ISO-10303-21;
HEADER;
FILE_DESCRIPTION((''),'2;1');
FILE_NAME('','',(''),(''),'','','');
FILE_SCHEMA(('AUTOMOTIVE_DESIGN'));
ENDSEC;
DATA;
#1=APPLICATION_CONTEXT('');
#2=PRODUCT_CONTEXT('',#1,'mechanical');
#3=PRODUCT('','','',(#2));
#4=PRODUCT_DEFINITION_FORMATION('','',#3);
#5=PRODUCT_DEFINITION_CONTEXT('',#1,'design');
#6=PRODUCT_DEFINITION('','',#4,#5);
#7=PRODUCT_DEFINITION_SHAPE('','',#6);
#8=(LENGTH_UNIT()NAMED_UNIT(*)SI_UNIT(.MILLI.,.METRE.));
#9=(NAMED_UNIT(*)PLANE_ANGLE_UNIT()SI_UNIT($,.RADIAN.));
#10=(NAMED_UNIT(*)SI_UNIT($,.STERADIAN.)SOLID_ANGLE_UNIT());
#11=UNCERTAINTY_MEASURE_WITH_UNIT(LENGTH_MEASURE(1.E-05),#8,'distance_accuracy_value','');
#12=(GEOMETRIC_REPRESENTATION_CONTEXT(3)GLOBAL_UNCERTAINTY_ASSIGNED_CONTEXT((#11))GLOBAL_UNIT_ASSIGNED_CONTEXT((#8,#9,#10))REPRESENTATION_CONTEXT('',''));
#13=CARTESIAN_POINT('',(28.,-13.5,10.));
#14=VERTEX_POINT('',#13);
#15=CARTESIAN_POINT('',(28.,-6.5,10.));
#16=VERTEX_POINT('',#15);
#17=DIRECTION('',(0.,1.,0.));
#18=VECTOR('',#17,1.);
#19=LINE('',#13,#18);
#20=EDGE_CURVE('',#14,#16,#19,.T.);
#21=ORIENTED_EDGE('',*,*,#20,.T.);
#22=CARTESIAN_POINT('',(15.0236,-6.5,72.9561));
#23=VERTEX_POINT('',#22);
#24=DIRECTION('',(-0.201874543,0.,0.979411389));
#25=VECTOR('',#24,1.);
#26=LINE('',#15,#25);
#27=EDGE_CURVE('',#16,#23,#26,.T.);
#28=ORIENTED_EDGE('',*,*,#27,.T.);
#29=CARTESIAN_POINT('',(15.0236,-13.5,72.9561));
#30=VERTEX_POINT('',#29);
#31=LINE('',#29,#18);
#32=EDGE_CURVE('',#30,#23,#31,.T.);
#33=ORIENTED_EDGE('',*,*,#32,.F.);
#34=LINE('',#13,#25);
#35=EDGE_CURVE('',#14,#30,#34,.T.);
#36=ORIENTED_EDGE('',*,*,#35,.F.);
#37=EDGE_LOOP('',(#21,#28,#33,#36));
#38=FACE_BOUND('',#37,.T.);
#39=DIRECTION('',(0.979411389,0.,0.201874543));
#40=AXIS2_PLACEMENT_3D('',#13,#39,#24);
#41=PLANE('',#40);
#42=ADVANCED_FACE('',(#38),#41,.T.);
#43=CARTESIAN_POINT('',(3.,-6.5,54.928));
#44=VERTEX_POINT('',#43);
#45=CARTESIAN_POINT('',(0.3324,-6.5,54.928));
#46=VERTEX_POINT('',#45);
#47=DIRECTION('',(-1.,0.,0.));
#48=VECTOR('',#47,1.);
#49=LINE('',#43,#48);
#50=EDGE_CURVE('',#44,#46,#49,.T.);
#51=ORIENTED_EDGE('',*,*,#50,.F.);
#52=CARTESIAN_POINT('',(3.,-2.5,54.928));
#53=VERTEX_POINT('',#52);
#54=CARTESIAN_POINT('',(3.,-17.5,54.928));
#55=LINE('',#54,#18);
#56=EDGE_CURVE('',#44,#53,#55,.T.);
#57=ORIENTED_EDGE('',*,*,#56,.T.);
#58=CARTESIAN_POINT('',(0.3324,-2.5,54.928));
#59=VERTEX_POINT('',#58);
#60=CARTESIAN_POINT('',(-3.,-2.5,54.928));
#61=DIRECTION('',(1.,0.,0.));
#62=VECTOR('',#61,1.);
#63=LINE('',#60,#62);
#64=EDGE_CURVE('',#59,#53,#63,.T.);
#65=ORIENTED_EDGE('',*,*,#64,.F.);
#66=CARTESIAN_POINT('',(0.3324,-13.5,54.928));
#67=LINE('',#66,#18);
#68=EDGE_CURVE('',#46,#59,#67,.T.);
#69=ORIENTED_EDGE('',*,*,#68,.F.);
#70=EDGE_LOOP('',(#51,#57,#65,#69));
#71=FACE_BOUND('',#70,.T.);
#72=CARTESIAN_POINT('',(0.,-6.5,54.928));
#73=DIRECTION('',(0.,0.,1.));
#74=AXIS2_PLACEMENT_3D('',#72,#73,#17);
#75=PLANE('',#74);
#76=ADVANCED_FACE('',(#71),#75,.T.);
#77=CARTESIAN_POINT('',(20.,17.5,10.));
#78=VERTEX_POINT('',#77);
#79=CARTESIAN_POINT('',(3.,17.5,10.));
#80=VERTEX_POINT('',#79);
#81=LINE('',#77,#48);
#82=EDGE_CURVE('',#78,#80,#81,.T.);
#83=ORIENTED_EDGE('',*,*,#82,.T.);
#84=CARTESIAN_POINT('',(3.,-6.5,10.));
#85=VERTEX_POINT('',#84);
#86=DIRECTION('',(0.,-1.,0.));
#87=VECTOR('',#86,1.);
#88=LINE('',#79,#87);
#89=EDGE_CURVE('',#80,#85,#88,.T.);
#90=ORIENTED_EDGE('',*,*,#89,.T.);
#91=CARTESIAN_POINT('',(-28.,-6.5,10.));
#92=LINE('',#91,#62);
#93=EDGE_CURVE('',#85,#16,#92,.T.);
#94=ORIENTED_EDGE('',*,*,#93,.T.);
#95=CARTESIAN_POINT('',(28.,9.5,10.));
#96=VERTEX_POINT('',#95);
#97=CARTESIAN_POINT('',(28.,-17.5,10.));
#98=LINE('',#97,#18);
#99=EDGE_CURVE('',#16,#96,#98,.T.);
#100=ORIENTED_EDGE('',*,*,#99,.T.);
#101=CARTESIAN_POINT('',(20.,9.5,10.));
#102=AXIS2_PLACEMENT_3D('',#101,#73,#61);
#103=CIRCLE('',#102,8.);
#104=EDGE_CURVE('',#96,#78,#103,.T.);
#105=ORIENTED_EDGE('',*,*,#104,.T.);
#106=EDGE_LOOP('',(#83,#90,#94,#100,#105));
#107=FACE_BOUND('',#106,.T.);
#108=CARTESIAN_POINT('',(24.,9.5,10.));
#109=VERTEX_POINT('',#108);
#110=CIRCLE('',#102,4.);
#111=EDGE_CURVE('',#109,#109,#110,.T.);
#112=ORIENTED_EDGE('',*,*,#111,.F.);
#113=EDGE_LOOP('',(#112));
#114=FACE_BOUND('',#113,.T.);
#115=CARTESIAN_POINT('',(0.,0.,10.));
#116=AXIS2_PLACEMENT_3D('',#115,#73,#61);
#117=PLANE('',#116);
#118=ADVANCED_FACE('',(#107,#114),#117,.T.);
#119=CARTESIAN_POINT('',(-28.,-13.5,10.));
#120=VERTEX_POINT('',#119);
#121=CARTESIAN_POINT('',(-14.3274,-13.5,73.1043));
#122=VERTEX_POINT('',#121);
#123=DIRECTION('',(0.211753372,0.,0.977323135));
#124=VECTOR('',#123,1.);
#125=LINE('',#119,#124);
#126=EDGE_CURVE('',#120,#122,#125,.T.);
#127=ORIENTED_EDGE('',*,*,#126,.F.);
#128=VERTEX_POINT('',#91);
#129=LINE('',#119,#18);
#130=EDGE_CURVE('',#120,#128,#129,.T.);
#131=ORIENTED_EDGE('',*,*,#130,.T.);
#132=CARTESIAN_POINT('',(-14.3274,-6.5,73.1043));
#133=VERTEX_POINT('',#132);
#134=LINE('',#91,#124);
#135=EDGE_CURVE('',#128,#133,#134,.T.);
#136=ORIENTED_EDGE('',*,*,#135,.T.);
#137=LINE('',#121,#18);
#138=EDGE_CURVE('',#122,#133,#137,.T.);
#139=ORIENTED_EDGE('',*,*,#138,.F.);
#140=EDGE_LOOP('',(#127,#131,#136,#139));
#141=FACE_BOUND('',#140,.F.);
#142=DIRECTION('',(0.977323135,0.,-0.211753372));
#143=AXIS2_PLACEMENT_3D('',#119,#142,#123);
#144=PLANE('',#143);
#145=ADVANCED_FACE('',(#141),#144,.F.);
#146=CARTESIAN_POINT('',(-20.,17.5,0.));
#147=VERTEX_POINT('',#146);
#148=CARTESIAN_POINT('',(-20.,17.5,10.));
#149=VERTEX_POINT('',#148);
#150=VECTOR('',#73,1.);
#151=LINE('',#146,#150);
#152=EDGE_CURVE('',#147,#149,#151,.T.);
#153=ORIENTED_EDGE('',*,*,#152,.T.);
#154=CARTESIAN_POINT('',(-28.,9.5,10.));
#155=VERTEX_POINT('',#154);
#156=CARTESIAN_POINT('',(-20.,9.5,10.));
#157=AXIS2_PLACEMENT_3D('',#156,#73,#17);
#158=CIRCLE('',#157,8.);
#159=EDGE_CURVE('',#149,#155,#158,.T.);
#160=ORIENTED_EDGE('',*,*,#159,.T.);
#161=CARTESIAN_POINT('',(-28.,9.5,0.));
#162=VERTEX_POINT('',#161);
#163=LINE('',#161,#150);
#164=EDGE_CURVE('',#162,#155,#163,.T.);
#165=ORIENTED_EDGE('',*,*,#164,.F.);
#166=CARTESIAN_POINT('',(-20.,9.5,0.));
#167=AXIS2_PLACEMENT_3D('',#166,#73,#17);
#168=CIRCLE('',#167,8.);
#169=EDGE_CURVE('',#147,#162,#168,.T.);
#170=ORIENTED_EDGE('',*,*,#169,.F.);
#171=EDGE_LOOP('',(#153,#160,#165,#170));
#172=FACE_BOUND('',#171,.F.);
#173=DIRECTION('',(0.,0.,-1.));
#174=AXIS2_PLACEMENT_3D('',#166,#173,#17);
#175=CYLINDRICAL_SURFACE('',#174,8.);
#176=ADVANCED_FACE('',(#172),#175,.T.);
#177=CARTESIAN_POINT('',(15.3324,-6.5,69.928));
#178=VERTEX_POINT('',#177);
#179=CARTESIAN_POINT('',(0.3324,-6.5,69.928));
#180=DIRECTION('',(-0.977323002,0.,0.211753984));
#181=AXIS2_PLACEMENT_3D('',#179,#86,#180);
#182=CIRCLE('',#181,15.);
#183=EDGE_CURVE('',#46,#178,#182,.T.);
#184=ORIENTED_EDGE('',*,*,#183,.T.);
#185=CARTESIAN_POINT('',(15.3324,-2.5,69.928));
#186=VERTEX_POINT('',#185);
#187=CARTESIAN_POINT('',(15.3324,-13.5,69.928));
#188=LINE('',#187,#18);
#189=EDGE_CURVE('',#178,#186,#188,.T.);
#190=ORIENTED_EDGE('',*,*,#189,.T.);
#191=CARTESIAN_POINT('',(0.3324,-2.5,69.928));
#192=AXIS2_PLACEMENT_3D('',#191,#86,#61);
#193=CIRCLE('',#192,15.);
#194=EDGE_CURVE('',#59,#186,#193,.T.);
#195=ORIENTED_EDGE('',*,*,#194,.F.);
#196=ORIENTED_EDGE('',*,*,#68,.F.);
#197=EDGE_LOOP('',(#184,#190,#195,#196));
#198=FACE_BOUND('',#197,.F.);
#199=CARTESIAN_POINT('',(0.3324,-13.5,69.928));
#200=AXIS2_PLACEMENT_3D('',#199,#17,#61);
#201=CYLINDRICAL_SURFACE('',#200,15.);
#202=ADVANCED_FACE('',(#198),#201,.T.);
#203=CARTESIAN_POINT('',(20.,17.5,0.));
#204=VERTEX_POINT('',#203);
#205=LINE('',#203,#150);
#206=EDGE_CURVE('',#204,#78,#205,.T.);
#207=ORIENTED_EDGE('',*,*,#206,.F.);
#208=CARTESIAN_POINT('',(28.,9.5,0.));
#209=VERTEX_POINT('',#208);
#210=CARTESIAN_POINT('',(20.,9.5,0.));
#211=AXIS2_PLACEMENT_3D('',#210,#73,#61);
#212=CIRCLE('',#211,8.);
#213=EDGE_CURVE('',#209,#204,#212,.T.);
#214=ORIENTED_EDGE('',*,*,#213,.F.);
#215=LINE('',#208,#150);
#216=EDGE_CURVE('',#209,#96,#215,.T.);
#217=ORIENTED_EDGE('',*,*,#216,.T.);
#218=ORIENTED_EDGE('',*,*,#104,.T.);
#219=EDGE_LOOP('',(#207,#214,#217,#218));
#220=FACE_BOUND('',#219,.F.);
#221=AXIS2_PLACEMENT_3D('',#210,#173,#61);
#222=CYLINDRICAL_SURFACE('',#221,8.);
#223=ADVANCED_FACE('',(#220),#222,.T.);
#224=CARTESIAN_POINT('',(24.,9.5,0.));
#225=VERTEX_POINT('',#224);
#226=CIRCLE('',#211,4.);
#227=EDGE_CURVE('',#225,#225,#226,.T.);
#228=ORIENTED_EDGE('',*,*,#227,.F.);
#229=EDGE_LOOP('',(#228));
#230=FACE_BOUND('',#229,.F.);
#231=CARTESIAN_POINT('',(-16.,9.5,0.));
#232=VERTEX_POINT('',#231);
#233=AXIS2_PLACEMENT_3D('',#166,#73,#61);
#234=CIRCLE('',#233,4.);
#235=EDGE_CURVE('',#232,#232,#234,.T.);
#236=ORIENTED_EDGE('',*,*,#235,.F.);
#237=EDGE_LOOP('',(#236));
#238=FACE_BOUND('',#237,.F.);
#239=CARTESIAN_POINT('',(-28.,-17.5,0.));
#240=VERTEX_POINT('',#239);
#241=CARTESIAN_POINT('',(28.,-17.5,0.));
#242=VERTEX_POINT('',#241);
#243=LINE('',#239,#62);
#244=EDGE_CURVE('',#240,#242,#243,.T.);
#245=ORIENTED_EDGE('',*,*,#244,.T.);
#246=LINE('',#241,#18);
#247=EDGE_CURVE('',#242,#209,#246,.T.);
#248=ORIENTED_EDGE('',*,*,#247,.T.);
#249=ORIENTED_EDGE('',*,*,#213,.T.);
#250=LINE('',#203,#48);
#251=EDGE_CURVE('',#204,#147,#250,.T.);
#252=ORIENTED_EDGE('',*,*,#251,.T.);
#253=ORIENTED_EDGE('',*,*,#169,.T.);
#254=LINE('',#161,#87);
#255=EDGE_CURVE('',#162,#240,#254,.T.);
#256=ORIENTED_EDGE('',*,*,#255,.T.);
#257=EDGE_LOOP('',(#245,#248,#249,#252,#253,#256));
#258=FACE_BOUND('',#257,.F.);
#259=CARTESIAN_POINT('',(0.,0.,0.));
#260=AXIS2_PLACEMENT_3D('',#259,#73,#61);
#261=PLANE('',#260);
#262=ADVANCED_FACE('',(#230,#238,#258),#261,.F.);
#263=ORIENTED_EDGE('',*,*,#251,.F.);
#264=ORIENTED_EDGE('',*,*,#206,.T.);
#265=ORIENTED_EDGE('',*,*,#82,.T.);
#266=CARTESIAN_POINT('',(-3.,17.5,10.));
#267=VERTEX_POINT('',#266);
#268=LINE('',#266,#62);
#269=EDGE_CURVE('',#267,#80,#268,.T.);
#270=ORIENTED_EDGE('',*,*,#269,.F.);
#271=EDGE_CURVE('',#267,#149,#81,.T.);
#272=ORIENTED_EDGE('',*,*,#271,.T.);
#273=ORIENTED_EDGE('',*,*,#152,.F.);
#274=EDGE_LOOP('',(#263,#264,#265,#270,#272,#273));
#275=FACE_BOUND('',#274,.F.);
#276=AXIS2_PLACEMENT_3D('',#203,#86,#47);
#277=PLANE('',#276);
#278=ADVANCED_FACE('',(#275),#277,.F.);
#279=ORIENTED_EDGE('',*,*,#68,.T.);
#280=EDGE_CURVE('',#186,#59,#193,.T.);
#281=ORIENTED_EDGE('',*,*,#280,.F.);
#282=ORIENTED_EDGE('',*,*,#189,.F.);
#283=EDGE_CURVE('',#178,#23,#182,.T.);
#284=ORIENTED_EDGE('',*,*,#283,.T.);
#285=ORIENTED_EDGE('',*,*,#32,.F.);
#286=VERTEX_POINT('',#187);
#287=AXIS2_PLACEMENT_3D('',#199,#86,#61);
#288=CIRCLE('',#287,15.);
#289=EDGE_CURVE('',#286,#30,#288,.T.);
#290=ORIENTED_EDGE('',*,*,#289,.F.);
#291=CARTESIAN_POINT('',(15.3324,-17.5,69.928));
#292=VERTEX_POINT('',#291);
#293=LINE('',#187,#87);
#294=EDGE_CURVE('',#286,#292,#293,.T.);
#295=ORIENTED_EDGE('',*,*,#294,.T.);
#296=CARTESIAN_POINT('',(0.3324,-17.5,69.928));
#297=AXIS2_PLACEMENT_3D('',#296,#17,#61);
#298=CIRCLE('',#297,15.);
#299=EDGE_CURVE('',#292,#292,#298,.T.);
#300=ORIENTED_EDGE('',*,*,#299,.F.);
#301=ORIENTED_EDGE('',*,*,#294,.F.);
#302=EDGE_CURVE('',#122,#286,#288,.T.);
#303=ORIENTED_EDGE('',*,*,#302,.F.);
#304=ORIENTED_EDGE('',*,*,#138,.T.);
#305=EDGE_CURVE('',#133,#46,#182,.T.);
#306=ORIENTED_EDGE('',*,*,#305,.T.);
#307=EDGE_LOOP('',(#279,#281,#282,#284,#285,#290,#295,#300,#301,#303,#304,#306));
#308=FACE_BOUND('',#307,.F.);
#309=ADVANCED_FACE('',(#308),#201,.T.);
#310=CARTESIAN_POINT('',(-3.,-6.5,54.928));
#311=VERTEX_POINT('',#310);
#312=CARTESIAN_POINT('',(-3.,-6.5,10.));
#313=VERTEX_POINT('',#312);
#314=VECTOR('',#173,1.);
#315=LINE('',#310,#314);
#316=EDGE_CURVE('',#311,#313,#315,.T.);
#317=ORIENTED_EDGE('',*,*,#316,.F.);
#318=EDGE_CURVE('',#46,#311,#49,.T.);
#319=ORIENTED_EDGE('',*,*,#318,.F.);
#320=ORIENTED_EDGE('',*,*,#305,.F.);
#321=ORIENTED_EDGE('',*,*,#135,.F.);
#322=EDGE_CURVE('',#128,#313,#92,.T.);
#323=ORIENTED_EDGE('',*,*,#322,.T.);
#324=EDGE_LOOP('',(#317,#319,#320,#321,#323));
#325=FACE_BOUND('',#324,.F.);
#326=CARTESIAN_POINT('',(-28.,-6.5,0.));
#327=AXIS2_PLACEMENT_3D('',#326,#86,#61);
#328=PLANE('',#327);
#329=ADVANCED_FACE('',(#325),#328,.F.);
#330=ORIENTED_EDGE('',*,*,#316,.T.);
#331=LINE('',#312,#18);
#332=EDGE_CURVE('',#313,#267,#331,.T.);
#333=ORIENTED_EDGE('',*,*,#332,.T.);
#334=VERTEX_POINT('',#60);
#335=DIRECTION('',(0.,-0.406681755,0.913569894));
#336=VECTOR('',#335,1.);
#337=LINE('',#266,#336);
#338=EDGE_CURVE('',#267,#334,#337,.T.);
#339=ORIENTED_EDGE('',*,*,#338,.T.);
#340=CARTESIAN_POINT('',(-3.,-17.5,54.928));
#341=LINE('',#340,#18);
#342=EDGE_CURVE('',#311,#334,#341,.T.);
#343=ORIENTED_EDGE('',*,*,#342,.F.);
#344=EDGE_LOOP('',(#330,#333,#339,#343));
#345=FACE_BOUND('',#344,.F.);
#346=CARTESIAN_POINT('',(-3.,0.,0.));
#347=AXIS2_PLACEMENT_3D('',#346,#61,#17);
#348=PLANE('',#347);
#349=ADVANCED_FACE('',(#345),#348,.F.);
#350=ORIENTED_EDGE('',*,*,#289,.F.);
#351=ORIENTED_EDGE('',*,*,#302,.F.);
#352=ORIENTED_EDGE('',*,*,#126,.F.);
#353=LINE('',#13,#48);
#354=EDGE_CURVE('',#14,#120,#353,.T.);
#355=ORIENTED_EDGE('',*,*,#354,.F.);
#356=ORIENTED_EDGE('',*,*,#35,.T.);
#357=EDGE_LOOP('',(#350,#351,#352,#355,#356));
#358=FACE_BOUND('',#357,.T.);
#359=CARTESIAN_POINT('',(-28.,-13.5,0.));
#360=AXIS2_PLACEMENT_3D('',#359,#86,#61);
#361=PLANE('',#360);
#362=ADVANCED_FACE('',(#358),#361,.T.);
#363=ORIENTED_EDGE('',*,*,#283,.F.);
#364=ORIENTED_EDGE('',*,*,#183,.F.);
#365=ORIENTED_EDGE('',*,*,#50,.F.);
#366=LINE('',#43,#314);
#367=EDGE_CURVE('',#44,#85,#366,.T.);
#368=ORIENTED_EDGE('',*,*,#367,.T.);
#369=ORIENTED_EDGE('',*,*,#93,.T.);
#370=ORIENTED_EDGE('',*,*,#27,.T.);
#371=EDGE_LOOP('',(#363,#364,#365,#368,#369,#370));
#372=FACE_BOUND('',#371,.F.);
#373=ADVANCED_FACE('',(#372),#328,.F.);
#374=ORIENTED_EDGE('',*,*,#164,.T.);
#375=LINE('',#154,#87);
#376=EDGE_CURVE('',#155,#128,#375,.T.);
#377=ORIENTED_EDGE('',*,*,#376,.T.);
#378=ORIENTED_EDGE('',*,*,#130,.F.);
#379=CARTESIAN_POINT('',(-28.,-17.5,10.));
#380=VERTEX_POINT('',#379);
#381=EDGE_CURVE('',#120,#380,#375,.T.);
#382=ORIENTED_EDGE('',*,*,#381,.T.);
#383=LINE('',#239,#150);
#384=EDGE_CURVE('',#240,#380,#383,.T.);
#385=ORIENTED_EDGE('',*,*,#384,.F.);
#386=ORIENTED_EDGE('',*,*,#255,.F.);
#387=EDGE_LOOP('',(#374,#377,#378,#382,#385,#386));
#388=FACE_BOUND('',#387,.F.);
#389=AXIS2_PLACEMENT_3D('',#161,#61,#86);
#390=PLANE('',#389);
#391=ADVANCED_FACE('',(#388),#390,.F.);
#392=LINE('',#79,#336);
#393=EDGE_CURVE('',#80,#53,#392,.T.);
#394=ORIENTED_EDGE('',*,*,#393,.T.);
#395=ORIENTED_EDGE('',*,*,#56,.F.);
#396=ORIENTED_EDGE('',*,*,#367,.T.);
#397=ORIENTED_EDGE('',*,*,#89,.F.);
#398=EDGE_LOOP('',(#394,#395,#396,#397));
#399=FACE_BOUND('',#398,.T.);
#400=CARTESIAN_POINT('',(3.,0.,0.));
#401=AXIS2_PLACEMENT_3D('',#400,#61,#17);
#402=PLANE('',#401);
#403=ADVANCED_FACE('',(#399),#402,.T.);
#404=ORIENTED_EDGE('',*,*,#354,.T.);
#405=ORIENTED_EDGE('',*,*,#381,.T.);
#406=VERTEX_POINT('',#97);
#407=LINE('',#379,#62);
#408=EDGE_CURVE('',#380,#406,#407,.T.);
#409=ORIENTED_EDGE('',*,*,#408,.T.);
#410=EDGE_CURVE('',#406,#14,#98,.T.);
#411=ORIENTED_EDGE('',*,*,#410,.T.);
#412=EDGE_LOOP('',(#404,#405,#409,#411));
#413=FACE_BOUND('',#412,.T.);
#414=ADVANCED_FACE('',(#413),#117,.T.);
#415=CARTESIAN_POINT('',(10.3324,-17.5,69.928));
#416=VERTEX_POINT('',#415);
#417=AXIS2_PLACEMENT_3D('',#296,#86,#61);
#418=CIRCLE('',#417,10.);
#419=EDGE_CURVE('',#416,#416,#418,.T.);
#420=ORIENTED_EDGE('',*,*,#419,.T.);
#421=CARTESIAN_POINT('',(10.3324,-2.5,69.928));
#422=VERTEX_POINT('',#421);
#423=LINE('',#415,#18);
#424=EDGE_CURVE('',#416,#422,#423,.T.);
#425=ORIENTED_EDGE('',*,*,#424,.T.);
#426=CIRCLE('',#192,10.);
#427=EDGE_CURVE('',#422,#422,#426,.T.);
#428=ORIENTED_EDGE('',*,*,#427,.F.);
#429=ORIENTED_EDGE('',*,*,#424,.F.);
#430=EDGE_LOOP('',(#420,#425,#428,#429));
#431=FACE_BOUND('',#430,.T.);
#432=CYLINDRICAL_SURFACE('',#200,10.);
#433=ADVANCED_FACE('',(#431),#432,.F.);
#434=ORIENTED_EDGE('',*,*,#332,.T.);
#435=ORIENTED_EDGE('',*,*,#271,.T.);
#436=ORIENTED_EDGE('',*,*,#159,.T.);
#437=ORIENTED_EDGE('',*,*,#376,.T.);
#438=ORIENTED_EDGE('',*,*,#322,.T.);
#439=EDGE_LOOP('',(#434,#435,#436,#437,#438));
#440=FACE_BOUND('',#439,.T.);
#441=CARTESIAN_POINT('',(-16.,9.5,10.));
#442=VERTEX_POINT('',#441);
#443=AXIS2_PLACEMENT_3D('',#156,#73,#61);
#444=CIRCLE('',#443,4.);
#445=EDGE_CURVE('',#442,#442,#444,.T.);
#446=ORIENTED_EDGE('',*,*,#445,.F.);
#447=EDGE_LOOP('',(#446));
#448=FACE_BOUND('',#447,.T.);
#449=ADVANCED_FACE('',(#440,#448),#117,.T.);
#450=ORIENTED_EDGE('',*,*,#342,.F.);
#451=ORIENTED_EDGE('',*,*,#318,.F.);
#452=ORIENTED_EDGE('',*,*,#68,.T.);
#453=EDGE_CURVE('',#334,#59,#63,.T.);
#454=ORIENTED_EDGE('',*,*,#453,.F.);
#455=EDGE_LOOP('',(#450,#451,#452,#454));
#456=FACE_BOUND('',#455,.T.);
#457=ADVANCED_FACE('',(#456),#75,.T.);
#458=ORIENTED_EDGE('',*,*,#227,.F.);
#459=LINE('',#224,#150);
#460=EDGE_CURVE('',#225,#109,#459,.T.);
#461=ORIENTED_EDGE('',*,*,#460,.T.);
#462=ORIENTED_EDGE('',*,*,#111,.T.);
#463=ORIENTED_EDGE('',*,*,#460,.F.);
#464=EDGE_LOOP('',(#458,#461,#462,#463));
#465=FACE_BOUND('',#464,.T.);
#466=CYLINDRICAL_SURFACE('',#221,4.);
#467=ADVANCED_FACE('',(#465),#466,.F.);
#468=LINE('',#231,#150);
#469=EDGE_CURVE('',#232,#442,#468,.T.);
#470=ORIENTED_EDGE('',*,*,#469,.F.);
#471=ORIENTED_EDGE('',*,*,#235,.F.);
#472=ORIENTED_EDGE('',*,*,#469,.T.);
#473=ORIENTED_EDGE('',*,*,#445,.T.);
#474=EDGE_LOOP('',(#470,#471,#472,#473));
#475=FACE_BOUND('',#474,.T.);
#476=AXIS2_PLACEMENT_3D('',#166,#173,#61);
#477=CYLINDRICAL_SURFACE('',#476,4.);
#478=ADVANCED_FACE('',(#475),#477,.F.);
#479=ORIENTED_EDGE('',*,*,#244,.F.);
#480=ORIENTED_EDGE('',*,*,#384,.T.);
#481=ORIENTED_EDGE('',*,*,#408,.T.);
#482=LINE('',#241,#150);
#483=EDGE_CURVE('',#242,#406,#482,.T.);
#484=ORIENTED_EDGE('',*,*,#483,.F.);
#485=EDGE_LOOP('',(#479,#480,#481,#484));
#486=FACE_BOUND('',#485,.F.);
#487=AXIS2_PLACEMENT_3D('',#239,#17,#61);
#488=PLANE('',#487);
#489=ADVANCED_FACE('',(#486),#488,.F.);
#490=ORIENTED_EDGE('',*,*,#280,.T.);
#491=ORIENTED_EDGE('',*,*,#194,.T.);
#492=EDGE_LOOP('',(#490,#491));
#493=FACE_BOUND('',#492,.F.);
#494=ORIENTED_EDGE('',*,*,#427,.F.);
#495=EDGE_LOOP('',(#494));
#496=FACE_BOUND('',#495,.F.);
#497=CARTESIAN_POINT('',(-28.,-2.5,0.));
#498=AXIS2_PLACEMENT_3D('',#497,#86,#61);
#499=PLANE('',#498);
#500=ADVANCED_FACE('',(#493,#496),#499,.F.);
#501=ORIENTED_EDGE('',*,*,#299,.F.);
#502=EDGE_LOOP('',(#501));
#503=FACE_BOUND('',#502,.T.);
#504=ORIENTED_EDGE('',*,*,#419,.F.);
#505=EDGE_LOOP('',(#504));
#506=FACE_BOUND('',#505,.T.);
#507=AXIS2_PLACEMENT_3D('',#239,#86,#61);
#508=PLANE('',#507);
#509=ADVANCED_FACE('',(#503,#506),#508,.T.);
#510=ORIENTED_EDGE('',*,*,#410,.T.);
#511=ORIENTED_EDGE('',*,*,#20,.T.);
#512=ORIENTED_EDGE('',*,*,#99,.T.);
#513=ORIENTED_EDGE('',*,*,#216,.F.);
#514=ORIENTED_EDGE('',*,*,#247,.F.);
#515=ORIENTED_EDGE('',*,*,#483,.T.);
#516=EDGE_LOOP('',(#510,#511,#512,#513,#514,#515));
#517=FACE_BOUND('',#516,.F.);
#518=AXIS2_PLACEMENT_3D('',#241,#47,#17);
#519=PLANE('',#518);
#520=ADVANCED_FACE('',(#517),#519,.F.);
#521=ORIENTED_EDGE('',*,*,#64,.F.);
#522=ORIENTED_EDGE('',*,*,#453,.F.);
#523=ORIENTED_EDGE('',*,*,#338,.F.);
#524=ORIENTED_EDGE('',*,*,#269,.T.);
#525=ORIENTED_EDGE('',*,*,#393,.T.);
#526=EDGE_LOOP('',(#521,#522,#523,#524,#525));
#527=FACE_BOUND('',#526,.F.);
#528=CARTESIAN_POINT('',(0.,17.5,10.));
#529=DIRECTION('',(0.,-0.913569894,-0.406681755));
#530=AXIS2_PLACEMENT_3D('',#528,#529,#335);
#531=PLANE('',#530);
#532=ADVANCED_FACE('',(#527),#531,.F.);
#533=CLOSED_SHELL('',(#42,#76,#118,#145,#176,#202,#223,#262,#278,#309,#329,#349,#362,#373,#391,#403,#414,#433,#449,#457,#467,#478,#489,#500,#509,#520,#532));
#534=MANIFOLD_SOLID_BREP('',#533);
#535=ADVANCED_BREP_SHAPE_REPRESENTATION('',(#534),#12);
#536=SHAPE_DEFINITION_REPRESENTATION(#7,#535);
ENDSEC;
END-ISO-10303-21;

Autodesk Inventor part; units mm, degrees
ref_plane "YZ Plane" through (0, 0, 0) normal (1, 0, 0) x (0, 1, 0)
ref_plane "XZ Plane" through (0, 0, 0) normal (0, 1, 0) x (-1, 0, 0)
sketch "Boceto1" plane through (0, 0, 0) normal (0, 0, 1) x (1, 0, 0)
  line L0 (-28, -17.5) -> (28, -17.5)
  line L1 (28, -17.5) -> (28, 9.5)
  line L2 (20, 17.5) -> (-20, 17.5)
  line L3 (-28, 9.5) -> (-28, -17.5)
  line L4 (-28, -17.5) -> (28, 17.5) construction
  line L5 (28, -17.5) -> (-28, 17.5) construction
  arc A0 (-20, 17.5) -> (-28, 9.5) centre (-20, 9.5) ccw
  arc A1 (28, 9.5) -> (20, 17.5) centre (20, 9.5) ccw
  circle A2 centre (-20, 9.5) radius 4
  circle A3 centre (20, 9.5) radius 4
  point P0 (0, 0)
  dimension "d0" = 56
  dimension "d1" = 35
  dimension "d2" = 8
  dimension "d3" = 8
  dimension "d4" = 8
extrude "Extrusión1" add sketch "Boceto1" along normal blind 10
ref_plane "Plano de trabajo2" through (-28, -13.5, 0) normal (0, -1, 0) x (1, 0, 0)
sketch "Boceto2" plane through (-28, -13.5, 0) normal (0, -1, 0) x (1, 0, 0)
  circle A0 centre (28.3324, 69.928) radius 15
  circle A1 centre (28.3324, 69.928) radius 10
  line L0 (8, 10) -> (0, 10) projected
  line L1 (0, 10) -> (13.6726, 73.1043)
  line L2 (56, 0) -> (56, 10) projected
  line L3 (56, 10) -> (43.0236, 72.9561)
  line L4 (0, 10) -> (56, 10)
  point P0 (28, 0)
  dimension "d8" = 30
  dimension "d9" = 20
extrude "Extrusión2" add sketch "Boceto2" against normal blind 7 contours A0 L3 L4 L0 L1
extrude "Extrusión3" add sketch "Boceto2" against normal blind 11 contours A0
extrude "Extrusión4" add sketch "Boceto2" along normal blind 4 contours A0
sketch "Boceto3" plane through (0, 0, 0) normal (1, 0, 0) x (0, 1, 0)
  line L0 (9.5, 10) -> (-6.5, 10) projected
  line L1 (-6.5, 10) -> (17.5, 10)
  line L2 (17.5, 10) -> (-2.5, 54.928)
  line L3 (-17.5, 54.928) -> (-2.5, 54.928) projected
  line L4 (-6.5, 54.928) -> (-6.5, 10)
  line L5 (-6.5, 10) -> (-6.5, 73.1043) projected
  line L6 (-6.5, 54.928) -> (-2.5, 54.928)
  line L7 (-6.5, 54.928) -> (-6.5, 10)
  point P0 (0, 0)
  dimension "d17" = 24
extrude "Extrusión5" add sketch "Boceto3" along normal mid plane 6
properties part number "Soporte polea"
